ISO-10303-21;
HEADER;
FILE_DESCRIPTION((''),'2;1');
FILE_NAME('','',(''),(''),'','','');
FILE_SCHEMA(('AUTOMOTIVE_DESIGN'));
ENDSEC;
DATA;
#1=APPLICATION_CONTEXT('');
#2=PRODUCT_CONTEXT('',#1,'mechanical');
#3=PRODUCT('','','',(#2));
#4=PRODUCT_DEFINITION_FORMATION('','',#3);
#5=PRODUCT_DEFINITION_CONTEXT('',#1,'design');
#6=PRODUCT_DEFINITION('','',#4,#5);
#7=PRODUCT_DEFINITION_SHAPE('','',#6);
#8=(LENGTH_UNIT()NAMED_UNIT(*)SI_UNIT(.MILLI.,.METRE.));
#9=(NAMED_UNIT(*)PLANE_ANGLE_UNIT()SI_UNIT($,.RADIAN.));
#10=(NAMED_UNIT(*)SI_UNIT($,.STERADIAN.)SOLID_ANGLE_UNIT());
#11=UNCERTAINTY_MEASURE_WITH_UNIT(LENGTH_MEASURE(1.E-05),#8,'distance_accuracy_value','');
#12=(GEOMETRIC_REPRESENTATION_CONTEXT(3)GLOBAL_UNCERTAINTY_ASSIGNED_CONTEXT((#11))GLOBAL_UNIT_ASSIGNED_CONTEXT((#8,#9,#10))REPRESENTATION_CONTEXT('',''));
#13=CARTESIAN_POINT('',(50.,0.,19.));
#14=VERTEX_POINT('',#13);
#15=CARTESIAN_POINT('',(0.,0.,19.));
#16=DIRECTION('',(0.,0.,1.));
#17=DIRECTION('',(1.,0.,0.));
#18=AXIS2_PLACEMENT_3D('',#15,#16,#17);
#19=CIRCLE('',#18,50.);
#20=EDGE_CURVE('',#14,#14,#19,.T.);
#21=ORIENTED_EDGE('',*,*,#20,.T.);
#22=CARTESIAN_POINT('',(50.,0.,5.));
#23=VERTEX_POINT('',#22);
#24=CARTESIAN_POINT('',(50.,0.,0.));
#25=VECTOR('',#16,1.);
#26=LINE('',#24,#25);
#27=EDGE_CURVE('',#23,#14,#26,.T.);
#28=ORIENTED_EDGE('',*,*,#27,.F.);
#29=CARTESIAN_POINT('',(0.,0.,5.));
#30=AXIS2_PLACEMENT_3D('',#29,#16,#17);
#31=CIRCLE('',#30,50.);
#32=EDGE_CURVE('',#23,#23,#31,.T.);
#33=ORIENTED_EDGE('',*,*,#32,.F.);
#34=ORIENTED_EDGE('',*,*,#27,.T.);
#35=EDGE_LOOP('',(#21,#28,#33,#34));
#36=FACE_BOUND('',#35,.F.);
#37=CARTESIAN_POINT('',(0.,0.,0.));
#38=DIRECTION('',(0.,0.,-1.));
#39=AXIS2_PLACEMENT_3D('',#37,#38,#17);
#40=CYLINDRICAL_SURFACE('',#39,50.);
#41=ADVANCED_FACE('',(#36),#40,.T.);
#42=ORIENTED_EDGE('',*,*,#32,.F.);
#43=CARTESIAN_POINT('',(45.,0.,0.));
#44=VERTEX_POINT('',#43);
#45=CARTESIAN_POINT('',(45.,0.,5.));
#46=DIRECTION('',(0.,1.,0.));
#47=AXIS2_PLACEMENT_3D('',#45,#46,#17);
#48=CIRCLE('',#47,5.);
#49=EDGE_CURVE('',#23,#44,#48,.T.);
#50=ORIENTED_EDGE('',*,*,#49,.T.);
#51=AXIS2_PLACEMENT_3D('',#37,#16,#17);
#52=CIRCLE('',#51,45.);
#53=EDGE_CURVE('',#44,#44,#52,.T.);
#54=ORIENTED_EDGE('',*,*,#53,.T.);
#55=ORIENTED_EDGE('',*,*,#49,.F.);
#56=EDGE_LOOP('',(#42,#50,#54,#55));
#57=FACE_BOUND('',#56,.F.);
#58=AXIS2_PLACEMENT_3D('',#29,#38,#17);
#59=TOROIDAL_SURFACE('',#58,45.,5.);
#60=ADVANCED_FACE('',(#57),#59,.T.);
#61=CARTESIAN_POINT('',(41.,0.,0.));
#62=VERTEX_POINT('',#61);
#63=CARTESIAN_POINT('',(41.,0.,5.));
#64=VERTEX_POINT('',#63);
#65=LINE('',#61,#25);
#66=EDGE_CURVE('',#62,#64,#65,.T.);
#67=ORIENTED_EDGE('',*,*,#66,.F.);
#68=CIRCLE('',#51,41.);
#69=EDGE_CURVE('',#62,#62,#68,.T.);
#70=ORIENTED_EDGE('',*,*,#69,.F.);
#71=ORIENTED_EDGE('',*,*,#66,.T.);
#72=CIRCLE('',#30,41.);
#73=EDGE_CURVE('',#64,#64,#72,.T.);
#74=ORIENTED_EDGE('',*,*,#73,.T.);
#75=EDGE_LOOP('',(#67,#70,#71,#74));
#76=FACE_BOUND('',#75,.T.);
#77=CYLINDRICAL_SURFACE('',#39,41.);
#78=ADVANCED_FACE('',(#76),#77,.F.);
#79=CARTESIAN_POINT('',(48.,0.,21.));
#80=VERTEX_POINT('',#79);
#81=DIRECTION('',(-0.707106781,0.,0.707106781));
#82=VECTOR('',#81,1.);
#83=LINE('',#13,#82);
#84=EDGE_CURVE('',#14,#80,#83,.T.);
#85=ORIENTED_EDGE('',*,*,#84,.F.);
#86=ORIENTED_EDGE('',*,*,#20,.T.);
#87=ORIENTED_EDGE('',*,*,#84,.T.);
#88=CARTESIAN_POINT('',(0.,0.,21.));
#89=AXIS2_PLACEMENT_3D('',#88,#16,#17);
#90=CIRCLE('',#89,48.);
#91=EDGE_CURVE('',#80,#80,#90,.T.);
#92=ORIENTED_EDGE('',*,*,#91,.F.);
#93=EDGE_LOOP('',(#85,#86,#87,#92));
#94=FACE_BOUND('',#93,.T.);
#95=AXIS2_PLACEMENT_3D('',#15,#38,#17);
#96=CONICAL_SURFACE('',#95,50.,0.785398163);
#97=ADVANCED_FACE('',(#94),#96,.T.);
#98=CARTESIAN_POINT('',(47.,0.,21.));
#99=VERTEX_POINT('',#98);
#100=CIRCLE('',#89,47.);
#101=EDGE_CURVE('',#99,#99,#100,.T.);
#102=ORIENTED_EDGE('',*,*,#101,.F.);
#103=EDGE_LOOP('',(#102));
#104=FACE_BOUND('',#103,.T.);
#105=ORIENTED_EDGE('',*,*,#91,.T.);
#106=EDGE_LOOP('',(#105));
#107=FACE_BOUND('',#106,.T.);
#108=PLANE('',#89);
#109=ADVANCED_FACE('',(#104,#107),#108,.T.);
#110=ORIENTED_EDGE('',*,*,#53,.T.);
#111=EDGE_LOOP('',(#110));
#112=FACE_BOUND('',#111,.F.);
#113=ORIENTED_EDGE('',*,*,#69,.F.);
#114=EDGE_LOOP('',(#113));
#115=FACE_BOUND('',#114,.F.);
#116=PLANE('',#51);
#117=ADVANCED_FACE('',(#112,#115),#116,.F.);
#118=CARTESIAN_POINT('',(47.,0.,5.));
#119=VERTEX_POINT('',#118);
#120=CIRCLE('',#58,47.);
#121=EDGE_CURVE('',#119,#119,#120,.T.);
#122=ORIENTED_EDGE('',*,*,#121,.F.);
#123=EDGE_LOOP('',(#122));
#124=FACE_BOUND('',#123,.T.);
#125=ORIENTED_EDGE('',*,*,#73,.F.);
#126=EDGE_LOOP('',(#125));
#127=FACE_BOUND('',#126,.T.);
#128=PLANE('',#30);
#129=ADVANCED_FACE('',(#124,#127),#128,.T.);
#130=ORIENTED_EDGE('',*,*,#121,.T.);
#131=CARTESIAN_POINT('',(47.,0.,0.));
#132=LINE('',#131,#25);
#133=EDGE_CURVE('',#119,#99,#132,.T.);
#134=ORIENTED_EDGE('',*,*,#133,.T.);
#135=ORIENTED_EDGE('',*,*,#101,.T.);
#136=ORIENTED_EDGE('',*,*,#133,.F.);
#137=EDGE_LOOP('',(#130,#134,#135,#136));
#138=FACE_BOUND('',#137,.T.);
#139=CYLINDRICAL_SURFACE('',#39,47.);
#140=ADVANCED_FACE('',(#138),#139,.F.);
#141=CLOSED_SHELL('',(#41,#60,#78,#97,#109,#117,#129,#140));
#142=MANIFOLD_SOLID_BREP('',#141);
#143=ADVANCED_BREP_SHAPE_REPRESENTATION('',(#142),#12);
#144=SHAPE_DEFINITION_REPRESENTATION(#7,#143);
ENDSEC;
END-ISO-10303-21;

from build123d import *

# Parameters (mm, degrees)
F0_R     = 47.5
F0_R_2   = 41
F1_DEPTH = 5
F2_R     = 50
F2_R_2   = 47
F3_DEPTH = 21
F4_R     = 5
F5_SIZE  = 2


with BuildPart() as f1:
    # F0 (on Top) → F1 (new body)
    with BuildSketch(Plane.XY):
        Circle(F0_R)
        Circle(F0_R_2, mode=Mode.SUBTRACT)
    extrude(amount=F1_DEPTH)

    # F2 (on Top) → F3 (join)
    with BuildSketch(Plane.XY):
        Circle(F2_R)
        Circle(F2_R_2, mode=Mode.SUBTRACT)
    extrude(amount=F3_DEPTH)

    # F4
    f4_edges = [f1.edges().sort_by_distance(p)[0] for p in [
        (-50, 0, 0),
    ]]
    fillet(f4_edges, radius=F4_R)

    # F5
    f5_edges = [f1.edges().sort_by_distance(p)[0] for p in [
        (-50, 0, 21),
    ]]
    chamfer(f5_edges, length=F5_SIZE)


solid = f1.part
